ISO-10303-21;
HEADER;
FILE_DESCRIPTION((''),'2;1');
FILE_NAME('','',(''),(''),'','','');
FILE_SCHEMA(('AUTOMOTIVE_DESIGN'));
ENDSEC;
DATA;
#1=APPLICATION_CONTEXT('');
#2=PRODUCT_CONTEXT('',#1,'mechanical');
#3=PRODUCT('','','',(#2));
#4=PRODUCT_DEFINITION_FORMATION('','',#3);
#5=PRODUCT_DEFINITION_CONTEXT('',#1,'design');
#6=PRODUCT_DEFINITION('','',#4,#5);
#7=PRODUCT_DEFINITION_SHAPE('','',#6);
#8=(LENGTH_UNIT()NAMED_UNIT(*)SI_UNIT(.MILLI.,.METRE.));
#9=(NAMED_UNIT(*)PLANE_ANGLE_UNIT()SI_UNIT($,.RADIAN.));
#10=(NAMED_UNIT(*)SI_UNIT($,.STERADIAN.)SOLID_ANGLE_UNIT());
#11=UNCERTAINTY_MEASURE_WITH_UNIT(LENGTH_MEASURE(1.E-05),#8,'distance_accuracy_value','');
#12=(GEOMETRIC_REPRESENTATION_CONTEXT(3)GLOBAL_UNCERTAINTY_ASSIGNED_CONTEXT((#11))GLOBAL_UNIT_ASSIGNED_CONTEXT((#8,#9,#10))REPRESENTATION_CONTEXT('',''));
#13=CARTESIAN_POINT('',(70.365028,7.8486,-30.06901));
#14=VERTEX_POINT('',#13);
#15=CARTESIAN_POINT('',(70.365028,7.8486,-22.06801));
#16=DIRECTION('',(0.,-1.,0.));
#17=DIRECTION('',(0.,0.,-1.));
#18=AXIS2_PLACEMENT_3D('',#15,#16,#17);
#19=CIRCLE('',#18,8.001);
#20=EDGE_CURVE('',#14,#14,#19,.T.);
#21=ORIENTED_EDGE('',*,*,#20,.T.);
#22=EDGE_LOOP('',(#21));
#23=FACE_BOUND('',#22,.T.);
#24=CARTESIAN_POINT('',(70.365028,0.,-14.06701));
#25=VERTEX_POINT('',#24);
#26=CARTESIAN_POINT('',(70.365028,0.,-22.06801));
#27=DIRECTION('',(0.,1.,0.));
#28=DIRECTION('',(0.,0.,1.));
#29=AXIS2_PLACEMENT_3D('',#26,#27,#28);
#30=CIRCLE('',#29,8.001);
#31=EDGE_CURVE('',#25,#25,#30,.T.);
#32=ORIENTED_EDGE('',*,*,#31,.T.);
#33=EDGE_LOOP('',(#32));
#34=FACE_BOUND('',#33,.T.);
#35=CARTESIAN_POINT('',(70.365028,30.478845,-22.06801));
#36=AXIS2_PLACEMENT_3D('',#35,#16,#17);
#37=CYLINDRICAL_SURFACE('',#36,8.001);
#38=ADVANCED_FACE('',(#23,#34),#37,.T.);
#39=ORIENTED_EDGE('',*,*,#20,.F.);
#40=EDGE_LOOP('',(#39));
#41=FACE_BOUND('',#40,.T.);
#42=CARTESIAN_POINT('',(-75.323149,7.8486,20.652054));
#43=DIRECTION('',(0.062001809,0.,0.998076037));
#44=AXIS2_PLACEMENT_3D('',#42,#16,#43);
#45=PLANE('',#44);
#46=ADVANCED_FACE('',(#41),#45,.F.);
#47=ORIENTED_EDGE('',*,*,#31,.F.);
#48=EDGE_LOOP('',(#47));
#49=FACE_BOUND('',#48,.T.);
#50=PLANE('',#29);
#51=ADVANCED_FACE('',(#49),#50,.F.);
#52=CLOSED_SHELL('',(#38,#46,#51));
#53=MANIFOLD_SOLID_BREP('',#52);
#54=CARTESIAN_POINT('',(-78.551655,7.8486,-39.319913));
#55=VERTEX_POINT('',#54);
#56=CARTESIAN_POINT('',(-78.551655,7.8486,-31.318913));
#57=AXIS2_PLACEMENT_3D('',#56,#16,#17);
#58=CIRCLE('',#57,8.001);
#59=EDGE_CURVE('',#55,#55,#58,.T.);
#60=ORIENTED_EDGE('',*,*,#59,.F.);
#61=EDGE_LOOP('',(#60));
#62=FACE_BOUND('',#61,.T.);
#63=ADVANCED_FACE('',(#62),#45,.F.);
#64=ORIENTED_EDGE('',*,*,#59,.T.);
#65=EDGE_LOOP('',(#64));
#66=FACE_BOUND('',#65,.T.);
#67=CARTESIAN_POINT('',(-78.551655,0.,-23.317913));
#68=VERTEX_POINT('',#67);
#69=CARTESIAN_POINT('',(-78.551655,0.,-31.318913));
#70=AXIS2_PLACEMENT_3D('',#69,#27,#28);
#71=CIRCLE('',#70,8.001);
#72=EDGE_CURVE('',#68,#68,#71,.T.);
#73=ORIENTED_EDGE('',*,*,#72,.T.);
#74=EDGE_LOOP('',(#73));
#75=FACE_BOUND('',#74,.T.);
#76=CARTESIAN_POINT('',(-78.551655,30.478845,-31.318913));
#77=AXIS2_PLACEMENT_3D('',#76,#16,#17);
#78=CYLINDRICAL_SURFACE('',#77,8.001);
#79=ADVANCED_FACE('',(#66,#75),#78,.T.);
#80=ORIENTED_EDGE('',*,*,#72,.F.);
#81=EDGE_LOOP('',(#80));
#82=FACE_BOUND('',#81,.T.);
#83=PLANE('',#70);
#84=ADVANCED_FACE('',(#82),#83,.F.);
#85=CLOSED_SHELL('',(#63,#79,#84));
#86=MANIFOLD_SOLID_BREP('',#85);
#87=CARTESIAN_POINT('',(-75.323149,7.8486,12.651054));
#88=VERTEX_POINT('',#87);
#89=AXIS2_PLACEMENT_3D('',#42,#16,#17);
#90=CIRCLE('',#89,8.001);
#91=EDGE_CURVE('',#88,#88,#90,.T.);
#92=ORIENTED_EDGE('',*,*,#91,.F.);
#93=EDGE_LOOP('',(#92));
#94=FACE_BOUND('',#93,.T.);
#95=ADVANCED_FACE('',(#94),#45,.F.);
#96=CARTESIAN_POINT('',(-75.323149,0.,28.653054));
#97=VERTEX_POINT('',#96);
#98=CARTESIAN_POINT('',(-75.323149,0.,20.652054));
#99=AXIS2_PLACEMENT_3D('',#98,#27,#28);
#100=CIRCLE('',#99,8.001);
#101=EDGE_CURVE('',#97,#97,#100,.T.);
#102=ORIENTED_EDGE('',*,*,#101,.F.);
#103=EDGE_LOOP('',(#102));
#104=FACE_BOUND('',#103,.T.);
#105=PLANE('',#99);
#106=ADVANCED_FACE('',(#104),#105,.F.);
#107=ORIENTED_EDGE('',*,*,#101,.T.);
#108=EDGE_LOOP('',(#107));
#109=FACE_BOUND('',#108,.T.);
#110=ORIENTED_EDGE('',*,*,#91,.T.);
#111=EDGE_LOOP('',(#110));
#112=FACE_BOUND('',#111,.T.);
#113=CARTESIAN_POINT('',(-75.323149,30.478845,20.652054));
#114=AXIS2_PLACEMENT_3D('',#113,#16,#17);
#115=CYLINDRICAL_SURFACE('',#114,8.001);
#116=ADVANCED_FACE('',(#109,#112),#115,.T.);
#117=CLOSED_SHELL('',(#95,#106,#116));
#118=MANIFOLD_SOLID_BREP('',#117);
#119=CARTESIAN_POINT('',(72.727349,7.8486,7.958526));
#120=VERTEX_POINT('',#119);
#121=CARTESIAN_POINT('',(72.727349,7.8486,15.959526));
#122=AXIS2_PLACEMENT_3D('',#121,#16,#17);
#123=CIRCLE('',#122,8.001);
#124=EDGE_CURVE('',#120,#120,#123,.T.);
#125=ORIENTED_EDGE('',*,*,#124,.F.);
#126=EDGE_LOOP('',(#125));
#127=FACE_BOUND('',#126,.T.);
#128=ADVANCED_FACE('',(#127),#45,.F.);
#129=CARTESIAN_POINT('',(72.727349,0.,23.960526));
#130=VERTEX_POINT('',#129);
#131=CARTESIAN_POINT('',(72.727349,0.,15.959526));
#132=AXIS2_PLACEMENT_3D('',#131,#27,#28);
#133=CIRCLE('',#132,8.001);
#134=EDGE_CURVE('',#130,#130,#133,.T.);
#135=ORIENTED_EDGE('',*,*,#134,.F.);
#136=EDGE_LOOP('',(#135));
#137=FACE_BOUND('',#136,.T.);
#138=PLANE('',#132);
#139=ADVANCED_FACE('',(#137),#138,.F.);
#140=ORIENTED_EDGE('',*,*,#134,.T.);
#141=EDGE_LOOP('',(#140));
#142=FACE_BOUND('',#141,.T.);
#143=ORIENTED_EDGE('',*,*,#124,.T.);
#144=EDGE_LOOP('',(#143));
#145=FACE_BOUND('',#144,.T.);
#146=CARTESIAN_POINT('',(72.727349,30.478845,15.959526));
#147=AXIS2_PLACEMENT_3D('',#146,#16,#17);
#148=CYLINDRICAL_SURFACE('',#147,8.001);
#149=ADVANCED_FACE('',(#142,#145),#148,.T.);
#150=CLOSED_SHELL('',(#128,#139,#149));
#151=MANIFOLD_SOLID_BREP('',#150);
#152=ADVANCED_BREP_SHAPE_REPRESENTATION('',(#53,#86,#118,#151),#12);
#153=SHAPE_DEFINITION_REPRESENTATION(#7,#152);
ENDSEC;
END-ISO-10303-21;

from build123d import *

# Parameters (mm, degrees)
SKETCH3_R             = 8.001
BOSS_EXTRUDE1_DEPTH   = 7.8486
BOSS_EXTRUDE1_2_DEPTH = 7.8486
BOSS_EXTRUDE1_3_DEPTH = 7.8486
BOSS_EXTRUDE1_4_DEPTH = 7.8486


with BuildPart() as part:
    # Sketch3 → Boss-Extrude1 (new body)
    with BuildSketch(Plane(origin=(0, 0, 0), x_dir=(1, 0, 0), z_dir=(0, 1, 0))):
        with Locations(Location((70.365028008, 22.068010378, 0), (0, 0, 90))):
            Circle(SKETCH3_R)
    extrude(amount=BOSS_EXTRUDE1_DEPTH)


with BuildPart() as body_2:
    # Sketch3 → Boss-Extrude1 2 (new body)
    with BuildSketch(Plane(origin=(0, 0, 0), x_dir=(1, 0, 0), z_dir=(0, 1, 0))):
        with Locations(Location((72.727349085, -15.959525946, 0), (0, 0, 90))):
            Circle(SKETCH3_R)
    extrude(amount=BOSS_EXTRUDE1_2_DEPTH)


with BuildPart() as body_3:
    # Sketch3 → Boss-Extrude1 3 (new body)
    with BuildSketch(Plane(origin=(0, 0, 0), x_dir=(1, 0, 0), z_dir=(0, 1, 0))):
        with Locations(Location((-78.551654853, 31.318912558, 0), (0, 0, 90))):
            Circle(SKETCH3_R)
    extrude(amount=BOSS_EXTRUDE1_3_DEPTH)


with BuildPart() as body_4:
    # Sketch3 → Boss-Extrude1 4 (new body)
    with BuildSketch(Plane(origin=(0, 0, 0), x_dir=(1, 0, 0), z_dir=(0, 1, 0))):
        with Locations(Location((-75.323149381, -20.652053752, 0), (0, 0, 90))):
            Circle(SKETCH3_R)
    extrude(amount=BOSS_EXTRUDE1_4_DEPTH)


solid = Compound([part.part, body_2.part, body_3.part, body_4.part])
